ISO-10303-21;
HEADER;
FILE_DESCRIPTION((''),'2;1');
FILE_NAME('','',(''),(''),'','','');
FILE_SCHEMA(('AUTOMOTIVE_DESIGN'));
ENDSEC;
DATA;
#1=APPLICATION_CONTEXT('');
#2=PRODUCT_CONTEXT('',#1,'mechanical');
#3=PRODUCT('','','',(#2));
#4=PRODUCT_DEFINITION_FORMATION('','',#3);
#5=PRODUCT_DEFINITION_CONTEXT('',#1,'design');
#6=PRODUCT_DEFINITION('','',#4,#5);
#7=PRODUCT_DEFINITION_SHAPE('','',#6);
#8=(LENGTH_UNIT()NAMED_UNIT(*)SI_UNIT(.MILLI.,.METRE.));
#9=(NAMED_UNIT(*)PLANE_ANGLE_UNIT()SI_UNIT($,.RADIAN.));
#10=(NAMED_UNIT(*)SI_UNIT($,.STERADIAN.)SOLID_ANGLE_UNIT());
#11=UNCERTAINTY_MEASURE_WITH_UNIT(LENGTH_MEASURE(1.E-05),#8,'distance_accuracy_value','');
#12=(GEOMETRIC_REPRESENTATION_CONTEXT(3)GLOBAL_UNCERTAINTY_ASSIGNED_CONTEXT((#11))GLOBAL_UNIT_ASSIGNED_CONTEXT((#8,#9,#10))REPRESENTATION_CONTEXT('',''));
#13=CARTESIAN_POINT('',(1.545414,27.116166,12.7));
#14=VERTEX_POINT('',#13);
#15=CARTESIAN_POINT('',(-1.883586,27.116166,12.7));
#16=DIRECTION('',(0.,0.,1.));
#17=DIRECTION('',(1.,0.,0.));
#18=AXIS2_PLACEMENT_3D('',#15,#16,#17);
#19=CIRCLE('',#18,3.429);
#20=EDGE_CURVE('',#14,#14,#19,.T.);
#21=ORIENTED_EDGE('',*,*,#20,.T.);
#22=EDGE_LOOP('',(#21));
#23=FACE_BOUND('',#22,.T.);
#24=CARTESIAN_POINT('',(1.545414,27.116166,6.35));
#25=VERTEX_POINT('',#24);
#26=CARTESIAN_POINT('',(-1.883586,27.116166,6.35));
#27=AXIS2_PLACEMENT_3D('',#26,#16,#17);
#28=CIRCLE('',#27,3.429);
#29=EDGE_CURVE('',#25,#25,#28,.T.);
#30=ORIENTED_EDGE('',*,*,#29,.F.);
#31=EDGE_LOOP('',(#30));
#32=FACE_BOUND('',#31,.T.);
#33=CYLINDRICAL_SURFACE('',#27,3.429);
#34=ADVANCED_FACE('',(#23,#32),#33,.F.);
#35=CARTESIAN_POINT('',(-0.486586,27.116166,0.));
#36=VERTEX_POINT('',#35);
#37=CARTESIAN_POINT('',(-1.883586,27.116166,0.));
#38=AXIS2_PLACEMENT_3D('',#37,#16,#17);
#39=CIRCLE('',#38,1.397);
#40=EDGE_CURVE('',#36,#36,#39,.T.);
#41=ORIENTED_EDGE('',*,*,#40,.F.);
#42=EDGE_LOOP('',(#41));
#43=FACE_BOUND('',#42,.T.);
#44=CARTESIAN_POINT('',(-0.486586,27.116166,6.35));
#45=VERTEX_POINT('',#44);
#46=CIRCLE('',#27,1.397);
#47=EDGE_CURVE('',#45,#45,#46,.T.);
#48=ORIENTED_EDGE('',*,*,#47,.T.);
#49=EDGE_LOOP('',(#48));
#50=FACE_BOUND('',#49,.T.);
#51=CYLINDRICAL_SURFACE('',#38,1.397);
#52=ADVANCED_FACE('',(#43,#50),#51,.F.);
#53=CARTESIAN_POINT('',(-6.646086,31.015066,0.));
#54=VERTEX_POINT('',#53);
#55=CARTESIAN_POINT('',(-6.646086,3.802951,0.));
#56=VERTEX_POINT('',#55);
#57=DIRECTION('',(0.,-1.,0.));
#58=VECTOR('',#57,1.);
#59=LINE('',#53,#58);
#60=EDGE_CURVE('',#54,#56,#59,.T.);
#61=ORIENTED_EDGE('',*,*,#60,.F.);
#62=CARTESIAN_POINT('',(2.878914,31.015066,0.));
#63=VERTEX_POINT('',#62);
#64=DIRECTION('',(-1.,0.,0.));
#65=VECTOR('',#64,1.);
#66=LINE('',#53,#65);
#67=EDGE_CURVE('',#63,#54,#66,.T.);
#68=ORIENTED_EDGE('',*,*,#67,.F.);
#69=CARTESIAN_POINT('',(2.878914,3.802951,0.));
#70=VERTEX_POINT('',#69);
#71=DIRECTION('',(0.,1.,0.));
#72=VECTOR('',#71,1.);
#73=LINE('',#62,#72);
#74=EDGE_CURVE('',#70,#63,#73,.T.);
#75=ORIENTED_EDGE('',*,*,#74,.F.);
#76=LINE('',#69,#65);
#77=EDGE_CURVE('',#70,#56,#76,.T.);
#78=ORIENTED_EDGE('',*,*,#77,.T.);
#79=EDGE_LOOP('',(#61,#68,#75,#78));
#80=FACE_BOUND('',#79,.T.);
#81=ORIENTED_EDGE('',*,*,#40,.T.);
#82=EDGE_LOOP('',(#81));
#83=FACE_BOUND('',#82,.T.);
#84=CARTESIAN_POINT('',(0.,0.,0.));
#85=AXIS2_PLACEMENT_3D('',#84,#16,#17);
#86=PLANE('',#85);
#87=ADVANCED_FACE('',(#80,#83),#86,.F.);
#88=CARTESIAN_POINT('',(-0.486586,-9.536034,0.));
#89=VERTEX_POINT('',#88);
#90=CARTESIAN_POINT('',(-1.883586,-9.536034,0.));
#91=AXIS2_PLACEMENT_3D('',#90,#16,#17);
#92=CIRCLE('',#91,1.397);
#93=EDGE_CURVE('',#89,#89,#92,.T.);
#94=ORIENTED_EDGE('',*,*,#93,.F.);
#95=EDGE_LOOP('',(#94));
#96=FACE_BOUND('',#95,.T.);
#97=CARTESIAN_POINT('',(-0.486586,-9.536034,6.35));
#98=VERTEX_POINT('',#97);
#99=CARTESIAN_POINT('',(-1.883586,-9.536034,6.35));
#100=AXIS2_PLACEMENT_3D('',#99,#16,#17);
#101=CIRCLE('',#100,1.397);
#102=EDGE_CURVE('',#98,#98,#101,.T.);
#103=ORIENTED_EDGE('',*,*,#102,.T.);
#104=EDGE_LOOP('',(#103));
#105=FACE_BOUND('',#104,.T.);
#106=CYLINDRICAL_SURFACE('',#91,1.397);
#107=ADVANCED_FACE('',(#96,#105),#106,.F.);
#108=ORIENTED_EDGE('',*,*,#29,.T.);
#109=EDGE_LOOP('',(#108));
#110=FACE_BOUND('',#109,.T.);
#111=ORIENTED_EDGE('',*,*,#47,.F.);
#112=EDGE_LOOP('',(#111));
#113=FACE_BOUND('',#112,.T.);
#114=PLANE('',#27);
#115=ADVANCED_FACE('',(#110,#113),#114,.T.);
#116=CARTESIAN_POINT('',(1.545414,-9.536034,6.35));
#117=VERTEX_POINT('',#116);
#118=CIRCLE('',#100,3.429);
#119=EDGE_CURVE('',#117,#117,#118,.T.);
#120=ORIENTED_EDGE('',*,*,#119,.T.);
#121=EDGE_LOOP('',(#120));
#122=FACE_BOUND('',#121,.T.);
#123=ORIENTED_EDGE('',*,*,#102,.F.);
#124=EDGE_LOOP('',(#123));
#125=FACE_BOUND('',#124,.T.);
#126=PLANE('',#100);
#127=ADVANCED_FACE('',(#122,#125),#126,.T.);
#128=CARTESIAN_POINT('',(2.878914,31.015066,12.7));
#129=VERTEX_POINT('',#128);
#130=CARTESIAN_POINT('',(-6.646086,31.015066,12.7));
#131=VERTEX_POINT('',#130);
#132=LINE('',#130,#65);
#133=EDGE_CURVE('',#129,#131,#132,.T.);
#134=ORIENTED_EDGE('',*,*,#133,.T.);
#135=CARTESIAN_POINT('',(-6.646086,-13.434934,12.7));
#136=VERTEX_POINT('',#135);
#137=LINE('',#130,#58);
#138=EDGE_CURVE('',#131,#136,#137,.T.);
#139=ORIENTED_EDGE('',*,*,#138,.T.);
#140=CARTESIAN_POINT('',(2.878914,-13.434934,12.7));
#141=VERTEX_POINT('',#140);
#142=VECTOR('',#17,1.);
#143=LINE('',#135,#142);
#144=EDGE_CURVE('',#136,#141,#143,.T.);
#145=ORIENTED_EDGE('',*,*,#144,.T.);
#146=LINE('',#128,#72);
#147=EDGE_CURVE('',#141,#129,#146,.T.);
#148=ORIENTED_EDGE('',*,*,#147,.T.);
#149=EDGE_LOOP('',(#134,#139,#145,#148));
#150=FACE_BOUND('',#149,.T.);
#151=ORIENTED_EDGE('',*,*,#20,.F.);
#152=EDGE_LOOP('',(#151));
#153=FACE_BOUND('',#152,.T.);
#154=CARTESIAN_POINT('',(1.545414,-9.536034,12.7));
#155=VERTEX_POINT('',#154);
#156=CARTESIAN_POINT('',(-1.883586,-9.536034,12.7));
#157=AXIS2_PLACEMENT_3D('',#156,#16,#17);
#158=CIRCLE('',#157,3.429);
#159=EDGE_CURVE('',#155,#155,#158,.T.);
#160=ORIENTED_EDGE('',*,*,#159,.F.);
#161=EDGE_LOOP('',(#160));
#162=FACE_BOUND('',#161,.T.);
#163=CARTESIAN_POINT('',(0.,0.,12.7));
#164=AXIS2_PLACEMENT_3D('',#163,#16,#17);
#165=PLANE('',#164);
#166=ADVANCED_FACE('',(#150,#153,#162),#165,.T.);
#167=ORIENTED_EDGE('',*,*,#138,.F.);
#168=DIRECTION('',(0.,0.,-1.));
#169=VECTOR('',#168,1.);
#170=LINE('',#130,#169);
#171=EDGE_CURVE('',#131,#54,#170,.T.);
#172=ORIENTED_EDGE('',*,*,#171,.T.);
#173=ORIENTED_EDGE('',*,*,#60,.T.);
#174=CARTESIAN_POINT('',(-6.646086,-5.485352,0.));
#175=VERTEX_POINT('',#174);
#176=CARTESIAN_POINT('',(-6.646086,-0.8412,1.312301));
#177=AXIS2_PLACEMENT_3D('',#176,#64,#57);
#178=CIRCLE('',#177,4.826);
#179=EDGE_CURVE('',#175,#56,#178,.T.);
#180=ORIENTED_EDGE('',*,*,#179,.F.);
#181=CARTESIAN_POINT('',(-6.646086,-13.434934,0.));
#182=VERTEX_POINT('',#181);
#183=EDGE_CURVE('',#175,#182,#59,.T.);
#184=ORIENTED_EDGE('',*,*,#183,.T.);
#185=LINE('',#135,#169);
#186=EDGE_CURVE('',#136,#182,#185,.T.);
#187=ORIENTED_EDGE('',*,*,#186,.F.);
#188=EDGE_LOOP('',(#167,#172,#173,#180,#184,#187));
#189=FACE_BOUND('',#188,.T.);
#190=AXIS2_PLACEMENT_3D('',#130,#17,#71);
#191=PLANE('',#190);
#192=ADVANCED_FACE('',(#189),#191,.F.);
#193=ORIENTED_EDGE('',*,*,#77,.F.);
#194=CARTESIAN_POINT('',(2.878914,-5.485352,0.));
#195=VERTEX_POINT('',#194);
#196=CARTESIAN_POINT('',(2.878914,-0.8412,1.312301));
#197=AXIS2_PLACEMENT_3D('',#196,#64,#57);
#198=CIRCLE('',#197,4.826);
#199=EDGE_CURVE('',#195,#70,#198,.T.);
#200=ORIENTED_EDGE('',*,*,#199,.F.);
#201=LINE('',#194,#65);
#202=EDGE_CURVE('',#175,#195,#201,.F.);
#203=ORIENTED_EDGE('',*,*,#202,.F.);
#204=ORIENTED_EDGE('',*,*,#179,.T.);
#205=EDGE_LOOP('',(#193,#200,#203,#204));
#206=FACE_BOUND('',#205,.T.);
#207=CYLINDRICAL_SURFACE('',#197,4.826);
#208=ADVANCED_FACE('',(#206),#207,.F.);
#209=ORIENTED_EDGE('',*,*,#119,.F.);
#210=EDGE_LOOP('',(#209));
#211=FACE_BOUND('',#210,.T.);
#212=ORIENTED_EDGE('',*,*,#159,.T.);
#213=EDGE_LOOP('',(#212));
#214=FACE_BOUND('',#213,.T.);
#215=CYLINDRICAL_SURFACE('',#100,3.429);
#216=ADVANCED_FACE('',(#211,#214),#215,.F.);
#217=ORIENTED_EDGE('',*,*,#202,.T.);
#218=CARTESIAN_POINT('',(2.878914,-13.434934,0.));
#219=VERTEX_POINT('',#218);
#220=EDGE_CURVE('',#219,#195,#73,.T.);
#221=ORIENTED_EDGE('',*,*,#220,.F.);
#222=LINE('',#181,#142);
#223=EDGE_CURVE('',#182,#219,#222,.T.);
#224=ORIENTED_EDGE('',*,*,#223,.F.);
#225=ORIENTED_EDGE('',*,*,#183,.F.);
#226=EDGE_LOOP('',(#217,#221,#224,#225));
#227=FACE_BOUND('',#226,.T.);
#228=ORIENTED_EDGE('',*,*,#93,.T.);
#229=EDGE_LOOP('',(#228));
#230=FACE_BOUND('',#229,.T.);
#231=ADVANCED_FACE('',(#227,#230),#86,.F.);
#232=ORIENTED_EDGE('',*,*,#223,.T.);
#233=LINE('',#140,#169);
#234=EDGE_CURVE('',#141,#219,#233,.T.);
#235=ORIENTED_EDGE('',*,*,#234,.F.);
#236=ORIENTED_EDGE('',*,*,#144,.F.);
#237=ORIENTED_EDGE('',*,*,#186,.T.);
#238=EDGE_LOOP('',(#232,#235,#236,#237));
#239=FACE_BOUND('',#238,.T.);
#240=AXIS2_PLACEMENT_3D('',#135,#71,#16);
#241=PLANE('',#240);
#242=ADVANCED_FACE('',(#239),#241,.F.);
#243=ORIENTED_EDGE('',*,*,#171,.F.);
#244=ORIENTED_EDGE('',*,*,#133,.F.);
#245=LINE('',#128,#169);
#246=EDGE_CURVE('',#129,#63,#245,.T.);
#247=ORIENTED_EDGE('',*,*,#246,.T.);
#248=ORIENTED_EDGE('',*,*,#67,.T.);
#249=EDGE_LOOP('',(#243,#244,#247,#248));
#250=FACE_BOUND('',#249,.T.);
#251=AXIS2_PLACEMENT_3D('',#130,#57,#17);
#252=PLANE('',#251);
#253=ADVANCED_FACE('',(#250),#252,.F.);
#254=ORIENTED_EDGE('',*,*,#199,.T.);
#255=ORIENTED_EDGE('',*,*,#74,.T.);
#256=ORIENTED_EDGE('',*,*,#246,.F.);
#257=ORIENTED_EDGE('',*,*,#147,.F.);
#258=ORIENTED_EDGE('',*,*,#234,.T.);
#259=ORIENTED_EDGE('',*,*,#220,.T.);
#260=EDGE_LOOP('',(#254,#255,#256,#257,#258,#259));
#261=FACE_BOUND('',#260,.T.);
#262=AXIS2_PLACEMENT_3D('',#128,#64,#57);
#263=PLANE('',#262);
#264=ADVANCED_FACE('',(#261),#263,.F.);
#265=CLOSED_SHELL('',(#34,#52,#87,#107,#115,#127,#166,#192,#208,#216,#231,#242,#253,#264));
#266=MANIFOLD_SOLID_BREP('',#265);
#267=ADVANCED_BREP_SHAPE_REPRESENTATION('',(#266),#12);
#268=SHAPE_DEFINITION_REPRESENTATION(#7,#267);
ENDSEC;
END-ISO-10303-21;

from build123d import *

# Parameters (mm, degrees)
SKETCH1_W           = 9.525
SKETCH1_H           = 44.45
BOSS_EXTRUDE1_DEPTH = 12.7
SKETCH2_R           = 3.429
CUT_EXTRUDE1_DEPTH  = 6.35
SKETCH3_R           = 1.397
CUT_EXTRUDE2_DEPTH  = 33.348528515
SKETCH4_R           = 4.826
SKETCH4_R_2         = 4.7625
CUT_EXTRUDE3_DEPTH  = 35.841784793


with BuildPart() as part:
    # Sketch1 → Boss-Extrude1 (new body)
    with BuildSketch(Plane.XY):
        with Locations((-1.883585653, 8.79006638)):
            Rectangle(SKETCH1_W, SKETCH1_H)
    extrude(amount=BOSS_EXTRUDE1_DEPTH)

    # Sketch2 → Cut-Extrude1 (cut)
    with BuildSketch(Plane.XY.offset(12.7)):
        with Locations((-1.883585653, 27.11616638)):
            Circle(SKETCH2_R)
        with Locations((-1.883585653, -9.53603362)):
            Circle(SKETCH2_R)
    extrude(amount=-CUT_EXTRUDE1_DEPTH, mode=Mode.SUBTRACT)

    # Sketch3 → Cut-Extrude2 (cut, through all)
    with BuildSketch(Plane.XY.offset(6.35)):
        with Locations((-1.883585653, 27.11616638)):
            Circle(SKETCH3_R)
        with Locations((-1.883585653, -9.53603362)):
            Circle(SKETCH3_R)
    extrude(amount=-CUT_EXTRUDE2_DEPTH, mode=Mode.SUBTRACT)

    # Sketch4 → Cut-Extrude3 (cut, through all)
    with BuildSketch(Plane.ZY.offset(6.646085653)):
        with Locations((1.312301335, -0.841200319)):
            Circle(SKETCH4_R)
        with Locations((1.312301335, -0.841200319)):
            Circle(SKETCH4_R_2, mode=Mode.SUBTRACT)
    extrude(amount=-CUT_EXTRUDE3_DEPTH, mode=Mode.SUBTRACT)


with BuildPart() as cut_extrude3_kept_piece:
    # of the separate pieces the step leaves, the one the design keeps (cut_extrude3_pieces_kept)
    add(part.part.solids().sort_by_distance((-6.646085653, 31.01506638, 0))[0])


solid = cut_extrude3_kept_piece.part
